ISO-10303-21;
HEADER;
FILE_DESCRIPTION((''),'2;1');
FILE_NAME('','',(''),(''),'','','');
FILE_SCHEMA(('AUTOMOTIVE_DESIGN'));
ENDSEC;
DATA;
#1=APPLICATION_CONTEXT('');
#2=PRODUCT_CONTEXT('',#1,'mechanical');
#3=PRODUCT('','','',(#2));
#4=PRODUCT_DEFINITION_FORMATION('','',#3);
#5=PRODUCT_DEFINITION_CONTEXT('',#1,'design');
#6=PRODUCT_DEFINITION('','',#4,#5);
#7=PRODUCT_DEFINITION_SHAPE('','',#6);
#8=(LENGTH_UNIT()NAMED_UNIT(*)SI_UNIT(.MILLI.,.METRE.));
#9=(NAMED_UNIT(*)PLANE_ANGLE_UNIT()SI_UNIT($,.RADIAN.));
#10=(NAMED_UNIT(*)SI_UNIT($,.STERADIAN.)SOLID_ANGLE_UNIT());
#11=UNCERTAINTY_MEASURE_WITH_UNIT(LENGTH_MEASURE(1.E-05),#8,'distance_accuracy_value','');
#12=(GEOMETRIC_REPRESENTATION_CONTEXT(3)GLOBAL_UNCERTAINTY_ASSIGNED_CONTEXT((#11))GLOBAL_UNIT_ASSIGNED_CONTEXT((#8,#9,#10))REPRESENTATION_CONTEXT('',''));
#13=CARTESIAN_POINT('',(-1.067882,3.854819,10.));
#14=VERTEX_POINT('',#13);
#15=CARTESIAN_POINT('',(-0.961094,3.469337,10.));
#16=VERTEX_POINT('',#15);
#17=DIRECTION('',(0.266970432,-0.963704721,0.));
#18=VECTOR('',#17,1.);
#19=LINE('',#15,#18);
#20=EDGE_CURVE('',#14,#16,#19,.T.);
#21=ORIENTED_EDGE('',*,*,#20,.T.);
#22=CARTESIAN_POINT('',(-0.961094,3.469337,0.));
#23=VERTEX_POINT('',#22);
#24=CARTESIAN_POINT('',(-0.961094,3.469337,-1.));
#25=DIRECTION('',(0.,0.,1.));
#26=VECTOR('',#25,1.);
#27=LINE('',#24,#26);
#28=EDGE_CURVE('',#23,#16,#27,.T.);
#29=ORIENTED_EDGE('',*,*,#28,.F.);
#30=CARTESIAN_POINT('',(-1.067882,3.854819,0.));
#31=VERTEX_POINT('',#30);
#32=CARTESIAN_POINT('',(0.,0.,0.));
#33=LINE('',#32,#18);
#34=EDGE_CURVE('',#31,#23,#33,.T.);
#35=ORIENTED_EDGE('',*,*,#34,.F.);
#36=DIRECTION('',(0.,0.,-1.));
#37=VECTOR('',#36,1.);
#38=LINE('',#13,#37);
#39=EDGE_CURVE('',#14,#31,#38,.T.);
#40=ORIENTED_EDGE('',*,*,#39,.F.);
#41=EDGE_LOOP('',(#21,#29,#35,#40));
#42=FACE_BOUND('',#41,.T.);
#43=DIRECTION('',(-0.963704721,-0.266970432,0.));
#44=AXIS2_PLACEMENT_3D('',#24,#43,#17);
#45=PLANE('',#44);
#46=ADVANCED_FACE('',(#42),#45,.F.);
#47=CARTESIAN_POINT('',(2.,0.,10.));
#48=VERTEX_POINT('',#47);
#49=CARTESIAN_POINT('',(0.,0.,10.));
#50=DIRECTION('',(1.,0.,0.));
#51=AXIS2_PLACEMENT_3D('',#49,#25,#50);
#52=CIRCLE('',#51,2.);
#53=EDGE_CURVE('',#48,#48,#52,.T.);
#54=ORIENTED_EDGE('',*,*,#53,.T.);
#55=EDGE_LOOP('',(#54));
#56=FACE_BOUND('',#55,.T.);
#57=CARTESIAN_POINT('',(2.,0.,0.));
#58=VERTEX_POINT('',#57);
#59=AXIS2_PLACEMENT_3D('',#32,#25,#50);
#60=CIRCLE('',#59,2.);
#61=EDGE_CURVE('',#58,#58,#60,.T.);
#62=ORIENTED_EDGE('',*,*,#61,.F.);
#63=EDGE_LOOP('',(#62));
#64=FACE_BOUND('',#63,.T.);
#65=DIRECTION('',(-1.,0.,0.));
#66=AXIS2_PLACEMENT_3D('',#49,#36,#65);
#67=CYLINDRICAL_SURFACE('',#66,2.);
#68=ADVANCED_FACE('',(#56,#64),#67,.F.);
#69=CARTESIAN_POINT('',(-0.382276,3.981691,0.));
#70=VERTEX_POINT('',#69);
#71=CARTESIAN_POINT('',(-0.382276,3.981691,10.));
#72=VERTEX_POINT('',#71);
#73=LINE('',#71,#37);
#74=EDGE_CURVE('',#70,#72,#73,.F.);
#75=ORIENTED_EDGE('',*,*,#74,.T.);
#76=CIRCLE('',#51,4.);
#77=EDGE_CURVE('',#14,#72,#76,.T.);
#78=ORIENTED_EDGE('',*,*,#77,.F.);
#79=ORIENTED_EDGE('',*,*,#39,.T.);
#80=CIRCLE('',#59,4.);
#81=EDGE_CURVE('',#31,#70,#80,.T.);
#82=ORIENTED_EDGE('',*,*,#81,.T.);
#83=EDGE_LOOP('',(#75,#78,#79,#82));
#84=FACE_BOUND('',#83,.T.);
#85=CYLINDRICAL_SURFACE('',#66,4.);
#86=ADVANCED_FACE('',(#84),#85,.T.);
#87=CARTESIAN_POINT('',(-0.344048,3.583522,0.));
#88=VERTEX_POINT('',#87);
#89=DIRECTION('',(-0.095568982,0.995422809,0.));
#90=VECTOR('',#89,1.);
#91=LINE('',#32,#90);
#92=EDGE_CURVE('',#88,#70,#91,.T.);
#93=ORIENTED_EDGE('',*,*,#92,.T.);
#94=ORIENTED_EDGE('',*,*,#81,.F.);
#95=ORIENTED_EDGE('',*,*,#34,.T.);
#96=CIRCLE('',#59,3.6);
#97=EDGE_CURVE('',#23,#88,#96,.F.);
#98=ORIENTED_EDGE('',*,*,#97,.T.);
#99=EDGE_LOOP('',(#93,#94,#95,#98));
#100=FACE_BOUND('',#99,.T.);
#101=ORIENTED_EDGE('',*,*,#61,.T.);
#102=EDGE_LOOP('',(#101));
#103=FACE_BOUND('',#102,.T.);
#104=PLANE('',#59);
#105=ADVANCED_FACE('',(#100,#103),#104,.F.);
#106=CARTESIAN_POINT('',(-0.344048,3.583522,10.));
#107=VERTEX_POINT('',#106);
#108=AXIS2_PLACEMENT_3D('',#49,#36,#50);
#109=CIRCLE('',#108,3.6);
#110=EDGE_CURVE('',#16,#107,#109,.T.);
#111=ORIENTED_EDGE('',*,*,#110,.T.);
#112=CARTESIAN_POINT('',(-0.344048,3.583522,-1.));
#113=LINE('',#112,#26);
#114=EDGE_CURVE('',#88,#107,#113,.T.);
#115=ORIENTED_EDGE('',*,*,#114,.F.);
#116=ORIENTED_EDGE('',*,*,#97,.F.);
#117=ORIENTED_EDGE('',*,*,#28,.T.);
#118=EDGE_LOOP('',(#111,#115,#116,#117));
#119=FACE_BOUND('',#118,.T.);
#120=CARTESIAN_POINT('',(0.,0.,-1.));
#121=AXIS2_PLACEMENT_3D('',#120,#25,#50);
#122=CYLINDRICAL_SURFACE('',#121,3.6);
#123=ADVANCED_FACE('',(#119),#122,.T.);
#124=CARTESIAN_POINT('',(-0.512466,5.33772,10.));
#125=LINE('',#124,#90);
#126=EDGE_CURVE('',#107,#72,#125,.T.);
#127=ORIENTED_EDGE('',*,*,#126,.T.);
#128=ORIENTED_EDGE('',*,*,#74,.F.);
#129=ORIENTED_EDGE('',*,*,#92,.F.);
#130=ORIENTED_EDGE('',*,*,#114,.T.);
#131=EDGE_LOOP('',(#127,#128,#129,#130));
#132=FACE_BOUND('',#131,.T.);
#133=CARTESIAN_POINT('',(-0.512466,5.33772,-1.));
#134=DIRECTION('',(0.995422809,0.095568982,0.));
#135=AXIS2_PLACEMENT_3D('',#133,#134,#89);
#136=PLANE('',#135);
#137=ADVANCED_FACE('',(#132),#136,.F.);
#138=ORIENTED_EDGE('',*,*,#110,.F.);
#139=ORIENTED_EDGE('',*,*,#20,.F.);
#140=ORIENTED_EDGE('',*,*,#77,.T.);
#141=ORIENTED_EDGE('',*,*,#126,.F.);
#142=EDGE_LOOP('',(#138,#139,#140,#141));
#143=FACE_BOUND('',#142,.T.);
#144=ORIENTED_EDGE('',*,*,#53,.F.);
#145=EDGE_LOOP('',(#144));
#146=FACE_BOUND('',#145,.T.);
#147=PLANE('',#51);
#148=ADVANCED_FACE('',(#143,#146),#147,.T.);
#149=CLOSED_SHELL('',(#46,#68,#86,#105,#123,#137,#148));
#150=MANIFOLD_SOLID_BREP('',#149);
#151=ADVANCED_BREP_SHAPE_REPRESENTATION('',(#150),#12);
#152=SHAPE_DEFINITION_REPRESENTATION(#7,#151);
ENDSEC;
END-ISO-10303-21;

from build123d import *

# Parameters (mm, degrees)
SKETCH1_R           = 4
SKETCH1_R_2         = 2
BOSS_EXTRUDE1_DEPTH = 10
CUT_EXTRUDE1_DEPTH  = 11


with BuildPart() as part:
    # Sketch1 → Boss-Extrude1 (new body)
    with BuildSketch(Plane.XY):
        Circle(SKETCH1_R)
        Circle(SKETCH1_R_2, mode=Mode.SUBTRACT)
    extrude(amount=BOSS_EXTRUDE1_DEPTH)

    # Sketch2 → Cut-Extrude1 (cut)
    with BuildSketch(Plane.XY.offset(10)):
        with BuildLine():
            Line((-0.961093553, 3.469336995), (-1.43156592, 5.16763908))
            ThreePointArc((-1.43156592, 5.16763908), (-0.975728957, 5.272743844), (-0.512466108, 5.337719844))
            Line((-0.512466108, 5.337719844), (-0.344048336, 3.583522114))
            ThreePointArc((-0.344048336, 3.583522114), (-0.65506366, 3.539899942), (-0.961093553, 3.469336995))
        make_face()
    extrude(amount=-CUT_EXTRUDE1_DEPTH, mode=Mode.SUBTRACT)


solid = part.part
